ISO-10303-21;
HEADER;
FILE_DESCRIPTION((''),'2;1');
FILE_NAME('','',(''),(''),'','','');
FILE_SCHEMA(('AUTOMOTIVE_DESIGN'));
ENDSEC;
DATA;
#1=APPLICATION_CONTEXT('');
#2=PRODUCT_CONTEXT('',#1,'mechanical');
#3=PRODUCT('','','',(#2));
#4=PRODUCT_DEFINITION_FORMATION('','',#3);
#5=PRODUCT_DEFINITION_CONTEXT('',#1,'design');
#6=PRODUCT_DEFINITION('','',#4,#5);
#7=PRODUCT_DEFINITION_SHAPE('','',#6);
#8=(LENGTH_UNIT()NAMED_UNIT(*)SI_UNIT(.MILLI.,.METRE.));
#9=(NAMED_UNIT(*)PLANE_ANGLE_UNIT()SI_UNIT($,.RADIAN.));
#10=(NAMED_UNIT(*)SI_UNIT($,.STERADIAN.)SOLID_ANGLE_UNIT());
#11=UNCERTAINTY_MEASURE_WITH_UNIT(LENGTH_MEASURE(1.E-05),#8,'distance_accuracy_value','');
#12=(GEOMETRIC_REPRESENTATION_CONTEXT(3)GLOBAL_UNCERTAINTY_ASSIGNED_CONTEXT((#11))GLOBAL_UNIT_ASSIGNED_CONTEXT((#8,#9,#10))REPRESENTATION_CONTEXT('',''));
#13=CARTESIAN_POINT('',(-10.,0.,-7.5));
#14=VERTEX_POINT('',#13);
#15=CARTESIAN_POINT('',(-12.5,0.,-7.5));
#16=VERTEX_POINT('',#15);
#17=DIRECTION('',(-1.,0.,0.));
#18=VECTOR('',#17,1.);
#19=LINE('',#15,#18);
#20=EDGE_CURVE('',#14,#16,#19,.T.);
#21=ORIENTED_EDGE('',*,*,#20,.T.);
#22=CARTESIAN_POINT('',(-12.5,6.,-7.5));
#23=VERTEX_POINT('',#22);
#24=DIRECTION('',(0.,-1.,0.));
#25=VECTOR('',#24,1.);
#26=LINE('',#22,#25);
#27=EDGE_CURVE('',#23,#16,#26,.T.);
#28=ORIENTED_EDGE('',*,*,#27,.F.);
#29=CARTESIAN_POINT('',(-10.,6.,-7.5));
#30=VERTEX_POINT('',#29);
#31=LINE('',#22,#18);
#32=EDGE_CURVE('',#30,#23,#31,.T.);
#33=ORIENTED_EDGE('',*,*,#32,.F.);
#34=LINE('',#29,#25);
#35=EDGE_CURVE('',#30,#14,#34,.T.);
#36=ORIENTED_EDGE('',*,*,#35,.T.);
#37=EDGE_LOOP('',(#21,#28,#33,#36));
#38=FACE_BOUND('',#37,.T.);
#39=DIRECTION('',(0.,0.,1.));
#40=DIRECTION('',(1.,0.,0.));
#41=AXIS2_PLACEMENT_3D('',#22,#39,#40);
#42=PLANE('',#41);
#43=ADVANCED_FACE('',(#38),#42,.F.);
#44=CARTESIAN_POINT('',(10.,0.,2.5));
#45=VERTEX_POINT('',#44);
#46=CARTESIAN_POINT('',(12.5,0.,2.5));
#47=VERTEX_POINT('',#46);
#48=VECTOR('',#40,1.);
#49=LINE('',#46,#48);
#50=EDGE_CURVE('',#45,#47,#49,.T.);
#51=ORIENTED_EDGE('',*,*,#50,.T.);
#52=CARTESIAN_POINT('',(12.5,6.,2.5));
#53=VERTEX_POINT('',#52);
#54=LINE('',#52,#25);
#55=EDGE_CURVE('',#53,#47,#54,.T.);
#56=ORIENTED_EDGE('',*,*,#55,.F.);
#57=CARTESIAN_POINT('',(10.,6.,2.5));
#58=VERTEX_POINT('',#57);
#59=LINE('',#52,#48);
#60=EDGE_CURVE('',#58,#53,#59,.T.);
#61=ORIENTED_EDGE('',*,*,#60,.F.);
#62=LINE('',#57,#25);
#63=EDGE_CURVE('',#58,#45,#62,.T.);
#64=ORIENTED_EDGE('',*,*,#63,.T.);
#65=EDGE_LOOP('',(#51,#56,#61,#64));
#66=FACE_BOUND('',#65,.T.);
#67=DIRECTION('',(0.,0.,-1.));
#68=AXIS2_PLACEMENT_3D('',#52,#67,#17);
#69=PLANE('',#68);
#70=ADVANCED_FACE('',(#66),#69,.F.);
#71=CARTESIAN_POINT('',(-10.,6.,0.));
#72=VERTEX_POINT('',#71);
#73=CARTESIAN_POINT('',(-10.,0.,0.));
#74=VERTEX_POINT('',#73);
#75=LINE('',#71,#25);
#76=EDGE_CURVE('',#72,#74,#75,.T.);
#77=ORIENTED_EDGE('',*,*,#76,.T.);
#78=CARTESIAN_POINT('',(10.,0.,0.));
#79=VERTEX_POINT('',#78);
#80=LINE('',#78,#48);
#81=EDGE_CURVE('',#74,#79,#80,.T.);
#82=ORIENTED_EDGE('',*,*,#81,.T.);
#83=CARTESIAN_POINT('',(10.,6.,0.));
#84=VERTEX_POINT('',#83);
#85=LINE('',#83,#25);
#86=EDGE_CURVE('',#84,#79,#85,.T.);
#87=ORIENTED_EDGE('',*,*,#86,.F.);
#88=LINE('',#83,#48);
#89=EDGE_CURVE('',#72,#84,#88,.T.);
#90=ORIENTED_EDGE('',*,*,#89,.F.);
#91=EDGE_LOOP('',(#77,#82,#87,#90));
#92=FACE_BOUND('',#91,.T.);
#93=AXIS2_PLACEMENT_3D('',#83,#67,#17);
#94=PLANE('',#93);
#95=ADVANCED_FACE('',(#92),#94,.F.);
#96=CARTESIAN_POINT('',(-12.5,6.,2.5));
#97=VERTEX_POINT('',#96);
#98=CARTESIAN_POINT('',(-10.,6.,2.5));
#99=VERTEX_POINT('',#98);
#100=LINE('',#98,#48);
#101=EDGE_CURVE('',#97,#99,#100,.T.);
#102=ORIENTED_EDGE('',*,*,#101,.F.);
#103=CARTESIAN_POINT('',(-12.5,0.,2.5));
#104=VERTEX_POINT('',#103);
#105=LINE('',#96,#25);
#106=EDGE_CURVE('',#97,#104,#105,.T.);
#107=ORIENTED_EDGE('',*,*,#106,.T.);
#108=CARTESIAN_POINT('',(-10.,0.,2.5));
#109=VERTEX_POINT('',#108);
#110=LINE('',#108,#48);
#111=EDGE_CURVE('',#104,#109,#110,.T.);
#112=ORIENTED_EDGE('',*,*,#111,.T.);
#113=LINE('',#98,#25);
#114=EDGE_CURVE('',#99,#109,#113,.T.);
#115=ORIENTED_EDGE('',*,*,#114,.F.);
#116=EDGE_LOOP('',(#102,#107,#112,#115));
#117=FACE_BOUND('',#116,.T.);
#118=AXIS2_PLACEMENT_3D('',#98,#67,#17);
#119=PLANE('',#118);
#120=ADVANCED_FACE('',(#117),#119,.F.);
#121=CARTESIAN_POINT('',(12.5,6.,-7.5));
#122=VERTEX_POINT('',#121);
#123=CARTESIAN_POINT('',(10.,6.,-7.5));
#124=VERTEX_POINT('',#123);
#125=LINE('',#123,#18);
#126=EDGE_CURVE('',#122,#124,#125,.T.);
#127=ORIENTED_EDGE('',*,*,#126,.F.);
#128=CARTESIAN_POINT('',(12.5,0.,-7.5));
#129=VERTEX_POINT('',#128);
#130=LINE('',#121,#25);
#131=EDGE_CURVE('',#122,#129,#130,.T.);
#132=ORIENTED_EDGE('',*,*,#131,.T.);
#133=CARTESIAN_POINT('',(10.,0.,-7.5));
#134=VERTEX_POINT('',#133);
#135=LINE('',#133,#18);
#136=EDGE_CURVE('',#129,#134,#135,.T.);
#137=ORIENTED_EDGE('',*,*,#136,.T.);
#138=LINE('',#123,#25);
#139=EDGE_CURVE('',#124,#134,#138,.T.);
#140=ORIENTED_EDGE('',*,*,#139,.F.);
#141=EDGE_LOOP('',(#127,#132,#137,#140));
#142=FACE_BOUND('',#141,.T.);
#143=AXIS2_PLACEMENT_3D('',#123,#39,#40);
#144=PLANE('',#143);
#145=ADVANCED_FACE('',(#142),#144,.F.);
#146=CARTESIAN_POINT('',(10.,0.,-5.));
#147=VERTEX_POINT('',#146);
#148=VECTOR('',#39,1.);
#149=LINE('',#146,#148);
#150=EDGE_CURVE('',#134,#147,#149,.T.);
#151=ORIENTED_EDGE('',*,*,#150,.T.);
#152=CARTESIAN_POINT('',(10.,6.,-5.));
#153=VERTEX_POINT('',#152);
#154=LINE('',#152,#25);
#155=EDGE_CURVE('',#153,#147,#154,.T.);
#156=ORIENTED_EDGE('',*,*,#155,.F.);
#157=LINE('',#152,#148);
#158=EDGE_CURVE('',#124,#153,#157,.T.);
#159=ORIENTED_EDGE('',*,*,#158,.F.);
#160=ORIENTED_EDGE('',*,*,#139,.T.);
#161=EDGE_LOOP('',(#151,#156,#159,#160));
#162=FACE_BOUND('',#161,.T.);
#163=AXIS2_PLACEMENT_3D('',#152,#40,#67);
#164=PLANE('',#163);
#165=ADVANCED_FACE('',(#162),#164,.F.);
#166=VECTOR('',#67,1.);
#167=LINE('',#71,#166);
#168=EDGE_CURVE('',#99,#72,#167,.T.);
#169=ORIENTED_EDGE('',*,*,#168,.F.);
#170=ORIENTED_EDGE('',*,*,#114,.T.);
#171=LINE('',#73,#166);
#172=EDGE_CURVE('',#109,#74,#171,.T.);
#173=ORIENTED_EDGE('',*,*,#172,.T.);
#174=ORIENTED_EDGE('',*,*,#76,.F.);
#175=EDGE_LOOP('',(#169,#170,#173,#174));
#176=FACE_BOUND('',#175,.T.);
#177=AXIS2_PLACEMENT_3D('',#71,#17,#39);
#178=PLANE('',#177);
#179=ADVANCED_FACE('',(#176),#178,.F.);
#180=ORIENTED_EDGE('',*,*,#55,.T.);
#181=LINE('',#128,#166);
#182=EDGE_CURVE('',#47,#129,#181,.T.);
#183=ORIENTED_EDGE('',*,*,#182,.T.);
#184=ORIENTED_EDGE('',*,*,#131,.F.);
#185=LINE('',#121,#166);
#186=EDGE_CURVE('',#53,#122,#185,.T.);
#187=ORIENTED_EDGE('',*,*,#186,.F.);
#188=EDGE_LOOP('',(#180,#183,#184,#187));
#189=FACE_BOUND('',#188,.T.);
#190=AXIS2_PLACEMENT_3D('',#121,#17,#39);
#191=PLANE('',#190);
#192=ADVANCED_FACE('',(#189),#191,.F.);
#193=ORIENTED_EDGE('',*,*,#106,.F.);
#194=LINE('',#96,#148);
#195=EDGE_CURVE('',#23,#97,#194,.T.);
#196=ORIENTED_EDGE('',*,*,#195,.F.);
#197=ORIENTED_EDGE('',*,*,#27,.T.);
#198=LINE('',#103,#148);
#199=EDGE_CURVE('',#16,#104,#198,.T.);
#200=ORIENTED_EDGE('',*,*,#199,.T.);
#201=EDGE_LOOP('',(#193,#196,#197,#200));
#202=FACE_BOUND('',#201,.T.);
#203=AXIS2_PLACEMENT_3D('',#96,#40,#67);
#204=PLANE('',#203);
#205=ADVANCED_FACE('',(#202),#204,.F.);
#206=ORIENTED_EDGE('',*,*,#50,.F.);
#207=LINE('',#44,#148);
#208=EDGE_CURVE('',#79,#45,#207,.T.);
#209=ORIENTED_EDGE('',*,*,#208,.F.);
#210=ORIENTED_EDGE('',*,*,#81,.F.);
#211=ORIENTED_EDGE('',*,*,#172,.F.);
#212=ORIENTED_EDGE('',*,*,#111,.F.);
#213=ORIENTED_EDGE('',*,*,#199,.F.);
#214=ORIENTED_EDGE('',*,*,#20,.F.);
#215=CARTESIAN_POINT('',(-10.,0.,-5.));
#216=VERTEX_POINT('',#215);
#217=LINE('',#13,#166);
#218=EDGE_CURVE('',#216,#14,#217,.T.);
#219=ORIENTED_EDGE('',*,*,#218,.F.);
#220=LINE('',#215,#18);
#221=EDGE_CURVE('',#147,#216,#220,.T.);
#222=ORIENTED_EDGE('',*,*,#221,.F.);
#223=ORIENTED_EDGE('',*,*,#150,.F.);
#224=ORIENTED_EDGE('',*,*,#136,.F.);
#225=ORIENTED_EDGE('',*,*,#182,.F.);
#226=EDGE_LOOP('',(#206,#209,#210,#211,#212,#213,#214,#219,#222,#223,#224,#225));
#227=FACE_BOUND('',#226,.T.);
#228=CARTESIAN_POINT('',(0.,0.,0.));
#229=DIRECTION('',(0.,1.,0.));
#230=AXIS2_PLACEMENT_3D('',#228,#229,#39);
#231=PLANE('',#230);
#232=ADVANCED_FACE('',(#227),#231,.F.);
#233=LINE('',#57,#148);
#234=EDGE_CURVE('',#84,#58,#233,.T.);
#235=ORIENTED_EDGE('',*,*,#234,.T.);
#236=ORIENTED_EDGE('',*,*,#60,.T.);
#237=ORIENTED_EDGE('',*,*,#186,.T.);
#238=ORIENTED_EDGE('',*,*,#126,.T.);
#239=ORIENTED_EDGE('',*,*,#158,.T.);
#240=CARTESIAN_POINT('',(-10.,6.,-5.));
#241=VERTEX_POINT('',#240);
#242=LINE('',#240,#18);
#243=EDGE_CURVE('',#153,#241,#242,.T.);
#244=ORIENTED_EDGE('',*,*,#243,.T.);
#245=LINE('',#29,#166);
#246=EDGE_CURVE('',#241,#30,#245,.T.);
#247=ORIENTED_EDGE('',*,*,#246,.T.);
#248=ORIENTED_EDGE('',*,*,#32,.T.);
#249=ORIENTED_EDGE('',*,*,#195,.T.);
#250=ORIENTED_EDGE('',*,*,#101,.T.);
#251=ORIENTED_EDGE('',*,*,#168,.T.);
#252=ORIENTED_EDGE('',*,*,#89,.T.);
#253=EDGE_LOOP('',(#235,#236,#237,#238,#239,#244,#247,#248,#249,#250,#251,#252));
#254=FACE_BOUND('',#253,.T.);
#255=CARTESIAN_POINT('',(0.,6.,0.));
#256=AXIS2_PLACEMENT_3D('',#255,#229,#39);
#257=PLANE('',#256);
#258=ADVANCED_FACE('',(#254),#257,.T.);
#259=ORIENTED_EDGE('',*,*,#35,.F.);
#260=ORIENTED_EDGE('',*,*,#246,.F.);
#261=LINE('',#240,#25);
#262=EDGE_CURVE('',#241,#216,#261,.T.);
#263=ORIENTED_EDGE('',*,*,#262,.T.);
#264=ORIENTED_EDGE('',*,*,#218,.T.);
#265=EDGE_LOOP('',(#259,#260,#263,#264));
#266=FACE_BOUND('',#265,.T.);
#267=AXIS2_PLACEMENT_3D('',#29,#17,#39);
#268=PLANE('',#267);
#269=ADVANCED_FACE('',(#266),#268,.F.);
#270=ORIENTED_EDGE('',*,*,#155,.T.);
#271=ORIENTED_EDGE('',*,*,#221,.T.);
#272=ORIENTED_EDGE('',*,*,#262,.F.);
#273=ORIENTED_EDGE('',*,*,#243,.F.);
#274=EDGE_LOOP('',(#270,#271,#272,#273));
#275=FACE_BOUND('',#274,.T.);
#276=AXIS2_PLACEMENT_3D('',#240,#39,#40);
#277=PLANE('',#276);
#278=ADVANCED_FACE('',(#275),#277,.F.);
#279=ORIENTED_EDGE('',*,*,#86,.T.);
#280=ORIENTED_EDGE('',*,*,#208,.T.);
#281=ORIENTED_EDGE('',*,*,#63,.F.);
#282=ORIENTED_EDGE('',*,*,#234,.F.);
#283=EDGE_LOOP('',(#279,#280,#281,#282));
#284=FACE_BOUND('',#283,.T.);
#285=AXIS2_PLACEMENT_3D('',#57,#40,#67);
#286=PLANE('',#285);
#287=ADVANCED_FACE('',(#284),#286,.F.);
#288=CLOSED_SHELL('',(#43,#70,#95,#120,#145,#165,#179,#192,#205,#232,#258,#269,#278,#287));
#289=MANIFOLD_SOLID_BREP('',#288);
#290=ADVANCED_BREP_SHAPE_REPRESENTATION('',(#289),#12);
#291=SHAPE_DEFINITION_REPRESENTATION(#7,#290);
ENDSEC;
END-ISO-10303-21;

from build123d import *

# Parameters (mm, degrees)
BOSS_EXTRUDE1_DEPTH = 6


with BuildPart() as part:
    # Sketch1 → Boss-Extrude1 (new body)
    with BuildSketch(Plane(origin=(0, 0, 0), x_dir=(1, 0, 0), z_dir=(0, 1, 0))):
        Polygon((-10, 5), (10, 5), (10, 7.5), (12.5, 7.5), (12.5, -2.5), (10, -2.5), (10, 0), (-10, 0), (-10, -2.5), (-12.5, -2.5), (-12.5, 7.5), (-10, 7.5), align=None)
    extrude(amount=BOSS_EXTRUDE1_DEPTH)


solid = part.part
